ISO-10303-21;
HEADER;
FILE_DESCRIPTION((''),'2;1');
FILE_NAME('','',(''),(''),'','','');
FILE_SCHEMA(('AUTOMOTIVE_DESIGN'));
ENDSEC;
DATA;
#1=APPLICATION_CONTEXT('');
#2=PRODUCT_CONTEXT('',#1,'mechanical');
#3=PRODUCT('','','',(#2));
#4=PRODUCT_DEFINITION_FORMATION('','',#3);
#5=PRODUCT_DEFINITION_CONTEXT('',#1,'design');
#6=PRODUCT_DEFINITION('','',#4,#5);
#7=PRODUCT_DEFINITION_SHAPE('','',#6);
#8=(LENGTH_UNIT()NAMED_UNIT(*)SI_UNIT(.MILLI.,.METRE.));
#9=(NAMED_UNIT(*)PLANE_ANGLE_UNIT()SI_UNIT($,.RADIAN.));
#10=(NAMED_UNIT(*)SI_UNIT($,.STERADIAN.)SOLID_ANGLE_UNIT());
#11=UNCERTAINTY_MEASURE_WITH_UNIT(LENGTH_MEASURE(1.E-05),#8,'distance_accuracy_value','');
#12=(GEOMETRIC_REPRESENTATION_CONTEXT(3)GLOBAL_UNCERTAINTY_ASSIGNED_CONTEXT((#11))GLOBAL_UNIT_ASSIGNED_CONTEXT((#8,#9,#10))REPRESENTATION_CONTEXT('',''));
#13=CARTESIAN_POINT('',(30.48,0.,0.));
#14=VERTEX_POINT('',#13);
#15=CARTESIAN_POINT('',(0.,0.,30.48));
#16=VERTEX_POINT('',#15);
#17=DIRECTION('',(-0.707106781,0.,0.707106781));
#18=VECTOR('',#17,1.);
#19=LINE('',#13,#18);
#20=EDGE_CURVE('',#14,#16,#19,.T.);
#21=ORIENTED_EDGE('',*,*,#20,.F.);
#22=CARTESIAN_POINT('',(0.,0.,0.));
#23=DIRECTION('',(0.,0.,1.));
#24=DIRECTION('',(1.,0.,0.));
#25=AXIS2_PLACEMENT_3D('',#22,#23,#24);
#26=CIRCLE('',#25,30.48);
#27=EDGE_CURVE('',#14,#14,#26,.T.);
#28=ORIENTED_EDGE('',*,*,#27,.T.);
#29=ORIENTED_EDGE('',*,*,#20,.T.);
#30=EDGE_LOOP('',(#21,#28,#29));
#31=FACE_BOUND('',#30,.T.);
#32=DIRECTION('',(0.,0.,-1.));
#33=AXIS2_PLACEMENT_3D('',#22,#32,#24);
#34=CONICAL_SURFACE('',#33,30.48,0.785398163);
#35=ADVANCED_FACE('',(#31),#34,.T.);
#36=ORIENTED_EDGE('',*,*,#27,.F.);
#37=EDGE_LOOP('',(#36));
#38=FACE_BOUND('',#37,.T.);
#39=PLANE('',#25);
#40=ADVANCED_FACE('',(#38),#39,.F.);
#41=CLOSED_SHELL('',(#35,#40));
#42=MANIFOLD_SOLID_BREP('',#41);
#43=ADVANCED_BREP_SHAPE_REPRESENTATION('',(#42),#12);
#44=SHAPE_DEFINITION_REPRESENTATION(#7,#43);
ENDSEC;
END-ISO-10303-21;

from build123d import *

# Parameters (mm, degrees)
F2_R     = 15.24
F3_DEPTH = 30.48


with BuildPart() as f1:
    # F0 (on Front) → F1 (revolve)
    with BuildSketch(Plane.XZ):
        Polygon((0, 30.48), (0, 0), (30.48, 0), align=None)
    revolve(axis=Axis((0, 0, 15.24), (0, 0, 1)))


with BuildPart() as f3:
    # F2 (on Top) → F3 (new body)
    with BuildSketch(Plane.XY):
        with Locations((-47.422264, -15.657526)):
            Circle(F2_R)
    extrude(amount=F3_DEPTH)


solid = f1.part
